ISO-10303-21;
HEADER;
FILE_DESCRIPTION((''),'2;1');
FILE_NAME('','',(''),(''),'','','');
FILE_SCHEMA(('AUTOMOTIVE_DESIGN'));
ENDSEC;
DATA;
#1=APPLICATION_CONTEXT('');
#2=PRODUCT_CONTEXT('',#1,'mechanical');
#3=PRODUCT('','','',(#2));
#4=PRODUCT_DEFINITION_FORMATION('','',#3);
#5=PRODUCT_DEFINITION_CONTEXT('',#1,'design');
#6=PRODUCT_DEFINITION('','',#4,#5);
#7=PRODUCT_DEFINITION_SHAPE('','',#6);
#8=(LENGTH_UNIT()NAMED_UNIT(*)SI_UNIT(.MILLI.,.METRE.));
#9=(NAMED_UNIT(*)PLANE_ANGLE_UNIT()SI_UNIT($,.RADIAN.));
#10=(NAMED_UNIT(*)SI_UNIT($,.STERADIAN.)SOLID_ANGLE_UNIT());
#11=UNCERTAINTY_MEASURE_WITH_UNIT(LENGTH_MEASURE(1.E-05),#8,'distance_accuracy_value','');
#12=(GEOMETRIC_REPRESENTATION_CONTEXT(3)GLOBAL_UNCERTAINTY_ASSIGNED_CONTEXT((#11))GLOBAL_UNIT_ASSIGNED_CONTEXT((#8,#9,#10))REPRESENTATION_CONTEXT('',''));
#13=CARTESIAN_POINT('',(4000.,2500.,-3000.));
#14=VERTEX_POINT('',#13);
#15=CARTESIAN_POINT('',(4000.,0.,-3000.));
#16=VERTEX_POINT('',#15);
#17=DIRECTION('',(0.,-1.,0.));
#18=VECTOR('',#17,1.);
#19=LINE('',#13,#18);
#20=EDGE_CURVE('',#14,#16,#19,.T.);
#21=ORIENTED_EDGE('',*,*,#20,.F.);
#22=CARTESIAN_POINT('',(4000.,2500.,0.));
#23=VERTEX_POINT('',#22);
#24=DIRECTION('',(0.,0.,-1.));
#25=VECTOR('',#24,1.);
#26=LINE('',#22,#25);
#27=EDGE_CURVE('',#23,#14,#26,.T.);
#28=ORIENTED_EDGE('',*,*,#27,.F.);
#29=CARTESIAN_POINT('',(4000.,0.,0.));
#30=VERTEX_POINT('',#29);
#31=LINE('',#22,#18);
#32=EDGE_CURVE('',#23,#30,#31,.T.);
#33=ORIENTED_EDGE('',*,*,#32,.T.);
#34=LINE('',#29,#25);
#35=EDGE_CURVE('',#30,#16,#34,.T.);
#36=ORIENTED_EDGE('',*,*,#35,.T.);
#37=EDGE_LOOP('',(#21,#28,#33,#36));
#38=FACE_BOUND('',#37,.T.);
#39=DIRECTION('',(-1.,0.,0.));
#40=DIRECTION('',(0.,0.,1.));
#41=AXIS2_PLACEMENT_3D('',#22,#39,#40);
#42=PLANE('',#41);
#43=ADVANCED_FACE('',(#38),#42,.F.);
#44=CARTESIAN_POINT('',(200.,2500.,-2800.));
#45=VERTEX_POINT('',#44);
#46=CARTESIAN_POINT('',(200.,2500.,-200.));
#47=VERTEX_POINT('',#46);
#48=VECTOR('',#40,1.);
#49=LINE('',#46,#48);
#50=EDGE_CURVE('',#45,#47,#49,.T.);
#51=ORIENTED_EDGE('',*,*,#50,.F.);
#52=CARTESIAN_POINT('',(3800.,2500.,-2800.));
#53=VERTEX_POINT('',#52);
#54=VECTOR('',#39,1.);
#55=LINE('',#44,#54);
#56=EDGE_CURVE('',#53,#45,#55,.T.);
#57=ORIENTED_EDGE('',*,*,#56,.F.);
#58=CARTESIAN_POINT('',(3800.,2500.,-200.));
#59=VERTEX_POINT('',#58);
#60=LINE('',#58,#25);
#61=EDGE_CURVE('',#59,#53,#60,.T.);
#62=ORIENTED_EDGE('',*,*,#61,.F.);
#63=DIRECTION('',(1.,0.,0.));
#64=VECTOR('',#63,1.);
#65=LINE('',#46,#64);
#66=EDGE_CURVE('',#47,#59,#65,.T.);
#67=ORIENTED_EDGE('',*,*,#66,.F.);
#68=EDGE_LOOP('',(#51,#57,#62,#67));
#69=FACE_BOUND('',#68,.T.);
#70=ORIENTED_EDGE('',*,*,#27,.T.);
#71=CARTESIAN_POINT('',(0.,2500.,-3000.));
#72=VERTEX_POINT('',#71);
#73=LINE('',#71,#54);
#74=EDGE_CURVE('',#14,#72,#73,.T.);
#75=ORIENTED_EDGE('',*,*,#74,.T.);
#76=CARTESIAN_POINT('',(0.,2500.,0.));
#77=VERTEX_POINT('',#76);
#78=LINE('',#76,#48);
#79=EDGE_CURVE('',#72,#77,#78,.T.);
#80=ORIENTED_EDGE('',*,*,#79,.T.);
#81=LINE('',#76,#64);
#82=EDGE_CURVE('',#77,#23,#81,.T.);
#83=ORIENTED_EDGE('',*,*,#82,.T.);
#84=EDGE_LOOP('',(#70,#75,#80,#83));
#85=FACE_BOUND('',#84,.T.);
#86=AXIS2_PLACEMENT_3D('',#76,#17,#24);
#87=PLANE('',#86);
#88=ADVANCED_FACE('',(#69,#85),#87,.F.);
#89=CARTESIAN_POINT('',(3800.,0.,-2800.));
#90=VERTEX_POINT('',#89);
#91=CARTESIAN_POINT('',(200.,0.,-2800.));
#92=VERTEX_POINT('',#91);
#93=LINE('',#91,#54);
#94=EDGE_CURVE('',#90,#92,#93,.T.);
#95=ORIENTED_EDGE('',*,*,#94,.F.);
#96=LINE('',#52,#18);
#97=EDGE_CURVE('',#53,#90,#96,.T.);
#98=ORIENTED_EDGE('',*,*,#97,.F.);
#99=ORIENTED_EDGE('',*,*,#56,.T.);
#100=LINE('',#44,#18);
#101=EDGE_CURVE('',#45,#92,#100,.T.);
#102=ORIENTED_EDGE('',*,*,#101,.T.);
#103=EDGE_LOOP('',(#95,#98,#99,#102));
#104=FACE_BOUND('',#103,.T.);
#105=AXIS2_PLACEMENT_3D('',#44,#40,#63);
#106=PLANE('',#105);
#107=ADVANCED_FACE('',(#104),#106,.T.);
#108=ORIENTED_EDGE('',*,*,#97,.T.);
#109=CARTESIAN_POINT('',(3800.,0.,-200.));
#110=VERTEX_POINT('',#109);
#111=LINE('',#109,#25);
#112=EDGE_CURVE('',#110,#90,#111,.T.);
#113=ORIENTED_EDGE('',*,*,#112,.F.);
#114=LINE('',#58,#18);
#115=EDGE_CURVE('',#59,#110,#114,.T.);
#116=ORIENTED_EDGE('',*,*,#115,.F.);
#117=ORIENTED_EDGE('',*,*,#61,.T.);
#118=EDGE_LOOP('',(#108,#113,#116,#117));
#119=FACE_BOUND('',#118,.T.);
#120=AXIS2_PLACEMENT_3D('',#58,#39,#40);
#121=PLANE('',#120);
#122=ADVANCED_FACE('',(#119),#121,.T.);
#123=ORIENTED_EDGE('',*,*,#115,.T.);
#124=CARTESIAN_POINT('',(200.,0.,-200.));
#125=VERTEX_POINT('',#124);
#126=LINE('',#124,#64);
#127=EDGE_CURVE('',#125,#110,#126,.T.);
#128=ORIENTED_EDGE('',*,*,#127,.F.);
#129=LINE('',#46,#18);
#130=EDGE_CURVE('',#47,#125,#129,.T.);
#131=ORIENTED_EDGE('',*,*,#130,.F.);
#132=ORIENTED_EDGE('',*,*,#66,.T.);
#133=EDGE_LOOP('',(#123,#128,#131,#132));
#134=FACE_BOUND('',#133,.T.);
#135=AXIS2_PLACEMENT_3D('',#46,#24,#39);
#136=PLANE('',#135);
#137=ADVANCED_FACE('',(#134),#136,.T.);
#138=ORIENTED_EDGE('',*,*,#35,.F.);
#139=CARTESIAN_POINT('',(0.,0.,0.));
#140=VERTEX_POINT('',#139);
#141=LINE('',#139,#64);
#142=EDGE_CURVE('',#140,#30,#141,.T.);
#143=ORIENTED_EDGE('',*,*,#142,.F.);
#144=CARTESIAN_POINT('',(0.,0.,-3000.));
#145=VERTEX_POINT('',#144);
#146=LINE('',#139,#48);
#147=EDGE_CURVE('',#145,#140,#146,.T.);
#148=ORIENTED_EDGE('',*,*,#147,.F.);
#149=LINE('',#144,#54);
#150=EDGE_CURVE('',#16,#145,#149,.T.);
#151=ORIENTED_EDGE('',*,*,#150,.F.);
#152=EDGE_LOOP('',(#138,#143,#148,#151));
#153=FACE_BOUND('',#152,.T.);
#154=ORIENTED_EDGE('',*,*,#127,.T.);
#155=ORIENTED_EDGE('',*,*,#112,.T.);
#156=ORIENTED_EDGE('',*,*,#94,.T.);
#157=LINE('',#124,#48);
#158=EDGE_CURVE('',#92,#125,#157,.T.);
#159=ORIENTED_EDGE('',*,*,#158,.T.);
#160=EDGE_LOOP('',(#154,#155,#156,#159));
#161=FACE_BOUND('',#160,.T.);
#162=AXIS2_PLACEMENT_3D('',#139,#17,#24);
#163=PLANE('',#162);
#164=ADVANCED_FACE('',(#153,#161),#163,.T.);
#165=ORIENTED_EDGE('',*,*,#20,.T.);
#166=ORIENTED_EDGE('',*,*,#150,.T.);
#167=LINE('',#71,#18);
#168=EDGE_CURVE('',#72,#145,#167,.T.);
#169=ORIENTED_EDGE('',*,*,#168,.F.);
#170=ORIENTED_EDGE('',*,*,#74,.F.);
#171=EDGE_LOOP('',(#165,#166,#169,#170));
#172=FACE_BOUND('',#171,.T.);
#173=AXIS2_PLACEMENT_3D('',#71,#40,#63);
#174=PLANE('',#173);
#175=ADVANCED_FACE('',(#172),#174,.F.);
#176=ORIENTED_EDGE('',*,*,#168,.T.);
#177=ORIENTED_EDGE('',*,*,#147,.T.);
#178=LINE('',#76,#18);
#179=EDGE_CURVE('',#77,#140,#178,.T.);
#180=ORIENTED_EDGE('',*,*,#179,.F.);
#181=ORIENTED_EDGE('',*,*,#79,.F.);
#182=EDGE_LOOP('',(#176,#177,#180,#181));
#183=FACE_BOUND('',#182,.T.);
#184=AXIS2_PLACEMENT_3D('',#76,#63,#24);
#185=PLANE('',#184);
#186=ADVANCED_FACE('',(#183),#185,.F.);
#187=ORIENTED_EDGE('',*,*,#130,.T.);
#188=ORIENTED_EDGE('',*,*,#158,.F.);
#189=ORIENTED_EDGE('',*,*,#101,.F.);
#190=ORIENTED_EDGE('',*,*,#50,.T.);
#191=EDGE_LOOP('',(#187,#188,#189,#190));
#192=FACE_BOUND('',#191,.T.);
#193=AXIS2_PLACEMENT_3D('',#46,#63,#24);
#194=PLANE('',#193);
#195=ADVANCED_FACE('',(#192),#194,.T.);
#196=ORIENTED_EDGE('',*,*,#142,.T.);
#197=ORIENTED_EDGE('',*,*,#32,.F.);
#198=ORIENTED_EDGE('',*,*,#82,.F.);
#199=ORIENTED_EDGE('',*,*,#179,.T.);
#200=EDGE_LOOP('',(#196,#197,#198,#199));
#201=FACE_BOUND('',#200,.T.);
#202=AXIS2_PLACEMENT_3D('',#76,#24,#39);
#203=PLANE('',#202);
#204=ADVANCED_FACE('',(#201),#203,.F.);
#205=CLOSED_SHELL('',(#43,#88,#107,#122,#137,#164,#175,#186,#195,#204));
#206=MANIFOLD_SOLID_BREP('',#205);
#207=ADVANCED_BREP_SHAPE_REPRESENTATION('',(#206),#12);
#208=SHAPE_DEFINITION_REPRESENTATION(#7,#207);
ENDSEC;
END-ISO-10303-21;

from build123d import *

# Parameters (mm, degrees)
SKIZZE2_W                       = 4000
SKIZZE2_H                       = 3000
SKIZZE2_W_2                     = 3600
SKIZZE2_H_2                     = 2600
AUFSATZ_LINEAR_AUSTRAGEN1_DEPTH = 2500


with BuildPart() as part:
    # Skizze2 → Aufsatz-Linear austragen1 (new body)
    with BuildSketch(Plane(origin=(0, 0, 0), x_dir=(1, 0, 0), z_dir=(0, 1, 0))):
        with Locations((2000, 1500)):
            Rectangle(SKIZZE2_W, SKIZZE2_H)
        with Locations((2000, 1500)):
            Rectangle(SKIZZE2_W_2, SKIZZE2_H_2, mode=Mode.SUBTRACT)
    extrude(amount=AUFSATZ_LINEAR_AUSTRAGEN1_DEPTH)


solid = part.part
